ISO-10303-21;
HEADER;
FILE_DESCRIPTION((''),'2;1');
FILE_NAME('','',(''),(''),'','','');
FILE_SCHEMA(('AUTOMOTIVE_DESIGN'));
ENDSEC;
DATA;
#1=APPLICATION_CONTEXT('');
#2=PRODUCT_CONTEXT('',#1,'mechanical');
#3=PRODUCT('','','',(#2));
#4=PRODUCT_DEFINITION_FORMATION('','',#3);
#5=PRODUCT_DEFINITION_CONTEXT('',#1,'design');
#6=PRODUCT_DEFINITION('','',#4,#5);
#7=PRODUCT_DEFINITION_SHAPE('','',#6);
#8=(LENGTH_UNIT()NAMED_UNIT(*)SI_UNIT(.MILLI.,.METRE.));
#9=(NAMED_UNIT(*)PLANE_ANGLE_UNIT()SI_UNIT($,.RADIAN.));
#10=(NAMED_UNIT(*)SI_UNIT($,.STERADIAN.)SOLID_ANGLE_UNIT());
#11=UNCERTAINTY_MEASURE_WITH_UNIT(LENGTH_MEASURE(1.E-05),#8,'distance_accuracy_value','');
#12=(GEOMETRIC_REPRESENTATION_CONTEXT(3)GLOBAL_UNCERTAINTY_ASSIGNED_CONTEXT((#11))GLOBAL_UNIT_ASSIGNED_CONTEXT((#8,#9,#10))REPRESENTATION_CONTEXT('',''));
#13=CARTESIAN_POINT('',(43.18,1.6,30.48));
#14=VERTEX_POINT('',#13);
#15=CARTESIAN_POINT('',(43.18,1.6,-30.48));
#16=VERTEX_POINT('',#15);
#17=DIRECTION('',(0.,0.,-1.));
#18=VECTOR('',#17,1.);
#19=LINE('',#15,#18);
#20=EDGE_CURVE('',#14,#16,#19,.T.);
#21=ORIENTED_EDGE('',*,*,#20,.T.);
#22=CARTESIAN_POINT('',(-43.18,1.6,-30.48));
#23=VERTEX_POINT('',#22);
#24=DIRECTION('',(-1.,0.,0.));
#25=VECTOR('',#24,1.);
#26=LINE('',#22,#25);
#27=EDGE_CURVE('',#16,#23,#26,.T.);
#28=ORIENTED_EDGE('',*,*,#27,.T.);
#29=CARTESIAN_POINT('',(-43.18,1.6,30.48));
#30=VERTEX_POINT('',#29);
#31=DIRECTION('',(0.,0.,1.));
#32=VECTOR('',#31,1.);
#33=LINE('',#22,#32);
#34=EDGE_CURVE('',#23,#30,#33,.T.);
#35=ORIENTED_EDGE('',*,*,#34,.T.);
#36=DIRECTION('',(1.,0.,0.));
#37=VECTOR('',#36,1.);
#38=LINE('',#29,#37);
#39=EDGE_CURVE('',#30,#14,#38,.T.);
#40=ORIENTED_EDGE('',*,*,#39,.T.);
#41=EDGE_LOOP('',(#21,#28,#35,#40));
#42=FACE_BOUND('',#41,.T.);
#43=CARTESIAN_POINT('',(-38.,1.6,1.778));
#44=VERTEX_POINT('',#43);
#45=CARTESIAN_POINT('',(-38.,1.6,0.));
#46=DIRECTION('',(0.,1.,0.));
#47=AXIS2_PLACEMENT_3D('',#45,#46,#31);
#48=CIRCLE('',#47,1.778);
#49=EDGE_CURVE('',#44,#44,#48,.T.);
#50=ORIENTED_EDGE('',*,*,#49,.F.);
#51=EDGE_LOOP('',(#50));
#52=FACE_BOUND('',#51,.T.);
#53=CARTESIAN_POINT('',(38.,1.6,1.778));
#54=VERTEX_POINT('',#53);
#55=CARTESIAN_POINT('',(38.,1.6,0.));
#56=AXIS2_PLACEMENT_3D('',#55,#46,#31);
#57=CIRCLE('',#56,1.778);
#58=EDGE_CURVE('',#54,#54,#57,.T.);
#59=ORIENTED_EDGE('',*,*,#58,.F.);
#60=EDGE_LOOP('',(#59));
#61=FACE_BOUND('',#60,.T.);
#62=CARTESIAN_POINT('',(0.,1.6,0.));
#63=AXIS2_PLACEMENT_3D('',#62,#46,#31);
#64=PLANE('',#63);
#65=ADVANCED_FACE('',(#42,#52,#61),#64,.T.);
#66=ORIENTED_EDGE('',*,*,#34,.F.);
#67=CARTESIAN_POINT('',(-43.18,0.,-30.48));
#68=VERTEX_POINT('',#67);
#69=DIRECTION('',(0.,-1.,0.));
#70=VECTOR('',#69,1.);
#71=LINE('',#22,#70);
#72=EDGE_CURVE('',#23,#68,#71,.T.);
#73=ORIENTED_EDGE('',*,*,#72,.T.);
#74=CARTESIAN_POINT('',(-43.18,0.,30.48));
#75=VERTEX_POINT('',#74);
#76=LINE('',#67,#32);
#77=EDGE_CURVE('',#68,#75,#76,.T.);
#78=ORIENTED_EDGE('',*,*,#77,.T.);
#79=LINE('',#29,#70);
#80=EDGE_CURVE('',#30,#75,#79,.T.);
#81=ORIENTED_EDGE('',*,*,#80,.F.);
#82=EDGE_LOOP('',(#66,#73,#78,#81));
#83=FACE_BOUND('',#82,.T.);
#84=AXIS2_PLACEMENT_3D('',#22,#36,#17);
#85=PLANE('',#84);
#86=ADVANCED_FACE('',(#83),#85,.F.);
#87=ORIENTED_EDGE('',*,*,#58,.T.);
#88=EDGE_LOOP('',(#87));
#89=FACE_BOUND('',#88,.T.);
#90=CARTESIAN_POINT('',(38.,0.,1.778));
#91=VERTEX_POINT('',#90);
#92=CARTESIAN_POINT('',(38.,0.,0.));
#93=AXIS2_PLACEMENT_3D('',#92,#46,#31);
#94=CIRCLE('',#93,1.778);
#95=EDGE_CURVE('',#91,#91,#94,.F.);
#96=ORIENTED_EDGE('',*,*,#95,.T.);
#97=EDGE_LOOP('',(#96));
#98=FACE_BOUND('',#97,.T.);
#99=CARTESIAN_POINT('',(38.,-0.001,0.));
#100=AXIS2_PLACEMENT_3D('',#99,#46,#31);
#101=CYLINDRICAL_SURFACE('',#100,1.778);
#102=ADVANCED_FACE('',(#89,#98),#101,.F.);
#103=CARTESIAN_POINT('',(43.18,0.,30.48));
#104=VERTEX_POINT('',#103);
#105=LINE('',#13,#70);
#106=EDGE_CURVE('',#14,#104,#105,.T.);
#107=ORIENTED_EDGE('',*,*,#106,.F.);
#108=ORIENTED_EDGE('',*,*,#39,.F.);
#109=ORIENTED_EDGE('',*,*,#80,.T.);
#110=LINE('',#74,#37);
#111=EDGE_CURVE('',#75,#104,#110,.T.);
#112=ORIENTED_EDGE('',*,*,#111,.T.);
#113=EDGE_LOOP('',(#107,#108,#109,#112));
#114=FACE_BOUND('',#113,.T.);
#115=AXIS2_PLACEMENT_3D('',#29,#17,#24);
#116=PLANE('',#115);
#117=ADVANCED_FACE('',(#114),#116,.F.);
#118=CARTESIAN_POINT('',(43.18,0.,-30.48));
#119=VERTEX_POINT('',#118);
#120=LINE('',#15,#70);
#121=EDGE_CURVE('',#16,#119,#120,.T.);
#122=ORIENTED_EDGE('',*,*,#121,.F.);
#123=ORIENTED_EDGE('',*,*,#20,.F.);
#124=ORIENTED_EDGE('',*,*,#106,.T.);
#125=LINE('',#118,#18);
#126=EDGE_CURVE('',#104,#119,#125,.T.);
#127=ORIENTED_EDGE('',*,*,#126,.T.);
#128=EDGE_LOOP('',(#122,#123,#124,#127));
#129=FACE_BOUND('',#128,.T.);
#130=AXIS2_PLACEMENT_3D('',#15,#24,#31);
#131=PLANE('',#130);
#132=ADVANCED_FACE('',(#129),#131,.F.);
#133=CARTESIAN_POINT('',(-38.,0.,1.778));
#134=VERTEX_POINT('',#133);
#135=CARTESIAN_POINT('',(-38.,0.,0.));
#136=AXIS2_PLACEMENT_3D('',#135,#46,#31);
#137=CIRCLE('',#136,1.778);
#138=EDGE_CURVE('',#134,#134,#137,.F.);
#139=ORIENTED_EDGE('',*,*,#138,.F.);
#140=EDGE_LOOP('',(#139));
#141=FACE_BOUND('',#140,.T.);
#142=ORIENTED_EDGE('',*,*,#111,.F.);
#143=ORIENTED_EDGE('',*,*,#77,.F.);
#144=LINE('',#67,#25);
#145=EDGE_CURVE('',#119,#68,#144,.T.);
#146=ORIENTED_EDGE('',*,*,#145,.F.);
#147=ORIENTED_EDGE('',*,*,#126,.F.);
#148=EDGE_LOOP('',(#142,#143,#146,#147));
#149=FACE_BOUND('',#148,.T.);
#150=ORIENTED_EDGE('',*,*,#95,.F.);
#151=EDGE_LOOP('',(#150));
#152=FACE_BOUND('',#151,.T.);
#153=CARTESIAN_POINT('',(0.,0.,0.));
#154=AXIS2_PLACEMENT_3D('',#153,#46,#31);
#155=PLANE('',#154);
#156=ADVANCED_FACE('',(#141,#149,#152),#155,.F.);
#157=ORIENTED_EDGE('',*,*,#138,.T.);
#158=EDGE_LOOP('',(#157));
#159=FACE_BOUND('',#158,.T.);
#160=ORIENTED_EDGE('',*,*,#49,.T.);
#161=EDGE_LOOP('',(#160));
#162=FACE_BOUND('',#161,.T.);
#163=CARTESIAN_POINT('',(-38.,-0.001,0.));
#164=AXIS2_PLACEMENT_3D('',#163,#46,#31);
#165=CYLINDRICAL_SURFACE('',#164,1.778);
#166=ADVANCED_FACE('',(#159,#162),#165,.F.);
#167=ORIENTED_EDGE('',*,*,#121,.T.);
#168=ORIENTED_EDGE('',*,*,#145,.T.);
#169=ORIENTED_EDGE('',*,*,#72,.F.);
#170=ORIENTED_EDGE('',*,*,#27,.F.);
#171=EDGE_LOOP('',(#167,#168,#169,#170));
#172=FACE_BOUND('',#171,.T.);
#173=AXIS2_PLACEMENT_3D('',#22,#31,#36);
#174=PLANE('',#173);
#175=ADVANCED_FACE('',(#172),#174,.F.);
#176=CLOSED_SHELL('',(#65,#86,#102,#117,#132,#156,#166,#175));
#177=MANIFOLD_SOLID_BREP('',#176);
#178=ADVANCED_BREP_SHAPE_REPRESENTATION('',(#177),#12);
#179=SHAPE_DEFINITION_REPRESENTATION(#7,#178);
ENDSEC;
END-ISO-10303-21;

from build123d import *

# Parameters (mm, degrees)
SKETCH1_W           = 86.36
SKETCH1_H           = 60.96
BOSS_EXTRUDE1_DEPTH = 1.6
CUT_EXTRUDE1_REACH  = 54.878
SKETCH2_R           = 1.778


with BuildPart() as part:
    # Sketch1 → Boss-Extrude1 (new body)
    with BuildSketch(Plane(origin=(0, 0, 0), x_dir=(1, 0, 0), z_dir=(0, 1, 0))):
        Rectangle(SKETCH1_W, SKETCH1_H)
    extrude(amount=BOSS_EXTRUDE1_DEPTH)

    # Sketch2 → Cut-Extrude1 (cut, up to next)
    with BuildSketch(Plane(origin=(0, 1.6, 0), x_dir=(1, 0, 0), z_dir=(0, 1, 0)), mode=Mode.PRIVATE) as cut_extrude1_sk1:
        with Locations(Location((-38, 0, 0), (0, 0, 270))):
            Circle(SKETCH2_R)
    cut_extrude1_tool1 = extrude(cut_extrude1_sk1.sketch, amount=-CUT_EXTRUDE1_REACH, mode=Mode.PRIVATE) & part.part
    # Sketch2 → Cut-Extrude1 (cut, up to next)
    with BuildSketch(Plane(origin=(0, 1.6, 0), x_dir=(1, 0, 0), z_dir=(0, 1, 0)), mode=Mode.PRIVATE) as cut_extrude1_sk2:
        with Locations(Location((38, 0, 0), (0, 0, 270))):
            Circle(SKETCH2_R)
    cut_extrude1_tool2 = extrude(cut_extrude1_sk2.sketch, amount=-CUT_EXTRUDE1_REACH, mode=Mode.PRIVATE) & part.part
    add(cut_extrude1_tool1.solids().sort_by_distance((-38, 1.6, 0))[0], mode=Mode.SUBTRACT)
    add(cut_extrude1_tool2.solids().sort_by_distance((38, 1.6, 0))[0], mode=Mode.SUBTRACT)


solid = part.part
